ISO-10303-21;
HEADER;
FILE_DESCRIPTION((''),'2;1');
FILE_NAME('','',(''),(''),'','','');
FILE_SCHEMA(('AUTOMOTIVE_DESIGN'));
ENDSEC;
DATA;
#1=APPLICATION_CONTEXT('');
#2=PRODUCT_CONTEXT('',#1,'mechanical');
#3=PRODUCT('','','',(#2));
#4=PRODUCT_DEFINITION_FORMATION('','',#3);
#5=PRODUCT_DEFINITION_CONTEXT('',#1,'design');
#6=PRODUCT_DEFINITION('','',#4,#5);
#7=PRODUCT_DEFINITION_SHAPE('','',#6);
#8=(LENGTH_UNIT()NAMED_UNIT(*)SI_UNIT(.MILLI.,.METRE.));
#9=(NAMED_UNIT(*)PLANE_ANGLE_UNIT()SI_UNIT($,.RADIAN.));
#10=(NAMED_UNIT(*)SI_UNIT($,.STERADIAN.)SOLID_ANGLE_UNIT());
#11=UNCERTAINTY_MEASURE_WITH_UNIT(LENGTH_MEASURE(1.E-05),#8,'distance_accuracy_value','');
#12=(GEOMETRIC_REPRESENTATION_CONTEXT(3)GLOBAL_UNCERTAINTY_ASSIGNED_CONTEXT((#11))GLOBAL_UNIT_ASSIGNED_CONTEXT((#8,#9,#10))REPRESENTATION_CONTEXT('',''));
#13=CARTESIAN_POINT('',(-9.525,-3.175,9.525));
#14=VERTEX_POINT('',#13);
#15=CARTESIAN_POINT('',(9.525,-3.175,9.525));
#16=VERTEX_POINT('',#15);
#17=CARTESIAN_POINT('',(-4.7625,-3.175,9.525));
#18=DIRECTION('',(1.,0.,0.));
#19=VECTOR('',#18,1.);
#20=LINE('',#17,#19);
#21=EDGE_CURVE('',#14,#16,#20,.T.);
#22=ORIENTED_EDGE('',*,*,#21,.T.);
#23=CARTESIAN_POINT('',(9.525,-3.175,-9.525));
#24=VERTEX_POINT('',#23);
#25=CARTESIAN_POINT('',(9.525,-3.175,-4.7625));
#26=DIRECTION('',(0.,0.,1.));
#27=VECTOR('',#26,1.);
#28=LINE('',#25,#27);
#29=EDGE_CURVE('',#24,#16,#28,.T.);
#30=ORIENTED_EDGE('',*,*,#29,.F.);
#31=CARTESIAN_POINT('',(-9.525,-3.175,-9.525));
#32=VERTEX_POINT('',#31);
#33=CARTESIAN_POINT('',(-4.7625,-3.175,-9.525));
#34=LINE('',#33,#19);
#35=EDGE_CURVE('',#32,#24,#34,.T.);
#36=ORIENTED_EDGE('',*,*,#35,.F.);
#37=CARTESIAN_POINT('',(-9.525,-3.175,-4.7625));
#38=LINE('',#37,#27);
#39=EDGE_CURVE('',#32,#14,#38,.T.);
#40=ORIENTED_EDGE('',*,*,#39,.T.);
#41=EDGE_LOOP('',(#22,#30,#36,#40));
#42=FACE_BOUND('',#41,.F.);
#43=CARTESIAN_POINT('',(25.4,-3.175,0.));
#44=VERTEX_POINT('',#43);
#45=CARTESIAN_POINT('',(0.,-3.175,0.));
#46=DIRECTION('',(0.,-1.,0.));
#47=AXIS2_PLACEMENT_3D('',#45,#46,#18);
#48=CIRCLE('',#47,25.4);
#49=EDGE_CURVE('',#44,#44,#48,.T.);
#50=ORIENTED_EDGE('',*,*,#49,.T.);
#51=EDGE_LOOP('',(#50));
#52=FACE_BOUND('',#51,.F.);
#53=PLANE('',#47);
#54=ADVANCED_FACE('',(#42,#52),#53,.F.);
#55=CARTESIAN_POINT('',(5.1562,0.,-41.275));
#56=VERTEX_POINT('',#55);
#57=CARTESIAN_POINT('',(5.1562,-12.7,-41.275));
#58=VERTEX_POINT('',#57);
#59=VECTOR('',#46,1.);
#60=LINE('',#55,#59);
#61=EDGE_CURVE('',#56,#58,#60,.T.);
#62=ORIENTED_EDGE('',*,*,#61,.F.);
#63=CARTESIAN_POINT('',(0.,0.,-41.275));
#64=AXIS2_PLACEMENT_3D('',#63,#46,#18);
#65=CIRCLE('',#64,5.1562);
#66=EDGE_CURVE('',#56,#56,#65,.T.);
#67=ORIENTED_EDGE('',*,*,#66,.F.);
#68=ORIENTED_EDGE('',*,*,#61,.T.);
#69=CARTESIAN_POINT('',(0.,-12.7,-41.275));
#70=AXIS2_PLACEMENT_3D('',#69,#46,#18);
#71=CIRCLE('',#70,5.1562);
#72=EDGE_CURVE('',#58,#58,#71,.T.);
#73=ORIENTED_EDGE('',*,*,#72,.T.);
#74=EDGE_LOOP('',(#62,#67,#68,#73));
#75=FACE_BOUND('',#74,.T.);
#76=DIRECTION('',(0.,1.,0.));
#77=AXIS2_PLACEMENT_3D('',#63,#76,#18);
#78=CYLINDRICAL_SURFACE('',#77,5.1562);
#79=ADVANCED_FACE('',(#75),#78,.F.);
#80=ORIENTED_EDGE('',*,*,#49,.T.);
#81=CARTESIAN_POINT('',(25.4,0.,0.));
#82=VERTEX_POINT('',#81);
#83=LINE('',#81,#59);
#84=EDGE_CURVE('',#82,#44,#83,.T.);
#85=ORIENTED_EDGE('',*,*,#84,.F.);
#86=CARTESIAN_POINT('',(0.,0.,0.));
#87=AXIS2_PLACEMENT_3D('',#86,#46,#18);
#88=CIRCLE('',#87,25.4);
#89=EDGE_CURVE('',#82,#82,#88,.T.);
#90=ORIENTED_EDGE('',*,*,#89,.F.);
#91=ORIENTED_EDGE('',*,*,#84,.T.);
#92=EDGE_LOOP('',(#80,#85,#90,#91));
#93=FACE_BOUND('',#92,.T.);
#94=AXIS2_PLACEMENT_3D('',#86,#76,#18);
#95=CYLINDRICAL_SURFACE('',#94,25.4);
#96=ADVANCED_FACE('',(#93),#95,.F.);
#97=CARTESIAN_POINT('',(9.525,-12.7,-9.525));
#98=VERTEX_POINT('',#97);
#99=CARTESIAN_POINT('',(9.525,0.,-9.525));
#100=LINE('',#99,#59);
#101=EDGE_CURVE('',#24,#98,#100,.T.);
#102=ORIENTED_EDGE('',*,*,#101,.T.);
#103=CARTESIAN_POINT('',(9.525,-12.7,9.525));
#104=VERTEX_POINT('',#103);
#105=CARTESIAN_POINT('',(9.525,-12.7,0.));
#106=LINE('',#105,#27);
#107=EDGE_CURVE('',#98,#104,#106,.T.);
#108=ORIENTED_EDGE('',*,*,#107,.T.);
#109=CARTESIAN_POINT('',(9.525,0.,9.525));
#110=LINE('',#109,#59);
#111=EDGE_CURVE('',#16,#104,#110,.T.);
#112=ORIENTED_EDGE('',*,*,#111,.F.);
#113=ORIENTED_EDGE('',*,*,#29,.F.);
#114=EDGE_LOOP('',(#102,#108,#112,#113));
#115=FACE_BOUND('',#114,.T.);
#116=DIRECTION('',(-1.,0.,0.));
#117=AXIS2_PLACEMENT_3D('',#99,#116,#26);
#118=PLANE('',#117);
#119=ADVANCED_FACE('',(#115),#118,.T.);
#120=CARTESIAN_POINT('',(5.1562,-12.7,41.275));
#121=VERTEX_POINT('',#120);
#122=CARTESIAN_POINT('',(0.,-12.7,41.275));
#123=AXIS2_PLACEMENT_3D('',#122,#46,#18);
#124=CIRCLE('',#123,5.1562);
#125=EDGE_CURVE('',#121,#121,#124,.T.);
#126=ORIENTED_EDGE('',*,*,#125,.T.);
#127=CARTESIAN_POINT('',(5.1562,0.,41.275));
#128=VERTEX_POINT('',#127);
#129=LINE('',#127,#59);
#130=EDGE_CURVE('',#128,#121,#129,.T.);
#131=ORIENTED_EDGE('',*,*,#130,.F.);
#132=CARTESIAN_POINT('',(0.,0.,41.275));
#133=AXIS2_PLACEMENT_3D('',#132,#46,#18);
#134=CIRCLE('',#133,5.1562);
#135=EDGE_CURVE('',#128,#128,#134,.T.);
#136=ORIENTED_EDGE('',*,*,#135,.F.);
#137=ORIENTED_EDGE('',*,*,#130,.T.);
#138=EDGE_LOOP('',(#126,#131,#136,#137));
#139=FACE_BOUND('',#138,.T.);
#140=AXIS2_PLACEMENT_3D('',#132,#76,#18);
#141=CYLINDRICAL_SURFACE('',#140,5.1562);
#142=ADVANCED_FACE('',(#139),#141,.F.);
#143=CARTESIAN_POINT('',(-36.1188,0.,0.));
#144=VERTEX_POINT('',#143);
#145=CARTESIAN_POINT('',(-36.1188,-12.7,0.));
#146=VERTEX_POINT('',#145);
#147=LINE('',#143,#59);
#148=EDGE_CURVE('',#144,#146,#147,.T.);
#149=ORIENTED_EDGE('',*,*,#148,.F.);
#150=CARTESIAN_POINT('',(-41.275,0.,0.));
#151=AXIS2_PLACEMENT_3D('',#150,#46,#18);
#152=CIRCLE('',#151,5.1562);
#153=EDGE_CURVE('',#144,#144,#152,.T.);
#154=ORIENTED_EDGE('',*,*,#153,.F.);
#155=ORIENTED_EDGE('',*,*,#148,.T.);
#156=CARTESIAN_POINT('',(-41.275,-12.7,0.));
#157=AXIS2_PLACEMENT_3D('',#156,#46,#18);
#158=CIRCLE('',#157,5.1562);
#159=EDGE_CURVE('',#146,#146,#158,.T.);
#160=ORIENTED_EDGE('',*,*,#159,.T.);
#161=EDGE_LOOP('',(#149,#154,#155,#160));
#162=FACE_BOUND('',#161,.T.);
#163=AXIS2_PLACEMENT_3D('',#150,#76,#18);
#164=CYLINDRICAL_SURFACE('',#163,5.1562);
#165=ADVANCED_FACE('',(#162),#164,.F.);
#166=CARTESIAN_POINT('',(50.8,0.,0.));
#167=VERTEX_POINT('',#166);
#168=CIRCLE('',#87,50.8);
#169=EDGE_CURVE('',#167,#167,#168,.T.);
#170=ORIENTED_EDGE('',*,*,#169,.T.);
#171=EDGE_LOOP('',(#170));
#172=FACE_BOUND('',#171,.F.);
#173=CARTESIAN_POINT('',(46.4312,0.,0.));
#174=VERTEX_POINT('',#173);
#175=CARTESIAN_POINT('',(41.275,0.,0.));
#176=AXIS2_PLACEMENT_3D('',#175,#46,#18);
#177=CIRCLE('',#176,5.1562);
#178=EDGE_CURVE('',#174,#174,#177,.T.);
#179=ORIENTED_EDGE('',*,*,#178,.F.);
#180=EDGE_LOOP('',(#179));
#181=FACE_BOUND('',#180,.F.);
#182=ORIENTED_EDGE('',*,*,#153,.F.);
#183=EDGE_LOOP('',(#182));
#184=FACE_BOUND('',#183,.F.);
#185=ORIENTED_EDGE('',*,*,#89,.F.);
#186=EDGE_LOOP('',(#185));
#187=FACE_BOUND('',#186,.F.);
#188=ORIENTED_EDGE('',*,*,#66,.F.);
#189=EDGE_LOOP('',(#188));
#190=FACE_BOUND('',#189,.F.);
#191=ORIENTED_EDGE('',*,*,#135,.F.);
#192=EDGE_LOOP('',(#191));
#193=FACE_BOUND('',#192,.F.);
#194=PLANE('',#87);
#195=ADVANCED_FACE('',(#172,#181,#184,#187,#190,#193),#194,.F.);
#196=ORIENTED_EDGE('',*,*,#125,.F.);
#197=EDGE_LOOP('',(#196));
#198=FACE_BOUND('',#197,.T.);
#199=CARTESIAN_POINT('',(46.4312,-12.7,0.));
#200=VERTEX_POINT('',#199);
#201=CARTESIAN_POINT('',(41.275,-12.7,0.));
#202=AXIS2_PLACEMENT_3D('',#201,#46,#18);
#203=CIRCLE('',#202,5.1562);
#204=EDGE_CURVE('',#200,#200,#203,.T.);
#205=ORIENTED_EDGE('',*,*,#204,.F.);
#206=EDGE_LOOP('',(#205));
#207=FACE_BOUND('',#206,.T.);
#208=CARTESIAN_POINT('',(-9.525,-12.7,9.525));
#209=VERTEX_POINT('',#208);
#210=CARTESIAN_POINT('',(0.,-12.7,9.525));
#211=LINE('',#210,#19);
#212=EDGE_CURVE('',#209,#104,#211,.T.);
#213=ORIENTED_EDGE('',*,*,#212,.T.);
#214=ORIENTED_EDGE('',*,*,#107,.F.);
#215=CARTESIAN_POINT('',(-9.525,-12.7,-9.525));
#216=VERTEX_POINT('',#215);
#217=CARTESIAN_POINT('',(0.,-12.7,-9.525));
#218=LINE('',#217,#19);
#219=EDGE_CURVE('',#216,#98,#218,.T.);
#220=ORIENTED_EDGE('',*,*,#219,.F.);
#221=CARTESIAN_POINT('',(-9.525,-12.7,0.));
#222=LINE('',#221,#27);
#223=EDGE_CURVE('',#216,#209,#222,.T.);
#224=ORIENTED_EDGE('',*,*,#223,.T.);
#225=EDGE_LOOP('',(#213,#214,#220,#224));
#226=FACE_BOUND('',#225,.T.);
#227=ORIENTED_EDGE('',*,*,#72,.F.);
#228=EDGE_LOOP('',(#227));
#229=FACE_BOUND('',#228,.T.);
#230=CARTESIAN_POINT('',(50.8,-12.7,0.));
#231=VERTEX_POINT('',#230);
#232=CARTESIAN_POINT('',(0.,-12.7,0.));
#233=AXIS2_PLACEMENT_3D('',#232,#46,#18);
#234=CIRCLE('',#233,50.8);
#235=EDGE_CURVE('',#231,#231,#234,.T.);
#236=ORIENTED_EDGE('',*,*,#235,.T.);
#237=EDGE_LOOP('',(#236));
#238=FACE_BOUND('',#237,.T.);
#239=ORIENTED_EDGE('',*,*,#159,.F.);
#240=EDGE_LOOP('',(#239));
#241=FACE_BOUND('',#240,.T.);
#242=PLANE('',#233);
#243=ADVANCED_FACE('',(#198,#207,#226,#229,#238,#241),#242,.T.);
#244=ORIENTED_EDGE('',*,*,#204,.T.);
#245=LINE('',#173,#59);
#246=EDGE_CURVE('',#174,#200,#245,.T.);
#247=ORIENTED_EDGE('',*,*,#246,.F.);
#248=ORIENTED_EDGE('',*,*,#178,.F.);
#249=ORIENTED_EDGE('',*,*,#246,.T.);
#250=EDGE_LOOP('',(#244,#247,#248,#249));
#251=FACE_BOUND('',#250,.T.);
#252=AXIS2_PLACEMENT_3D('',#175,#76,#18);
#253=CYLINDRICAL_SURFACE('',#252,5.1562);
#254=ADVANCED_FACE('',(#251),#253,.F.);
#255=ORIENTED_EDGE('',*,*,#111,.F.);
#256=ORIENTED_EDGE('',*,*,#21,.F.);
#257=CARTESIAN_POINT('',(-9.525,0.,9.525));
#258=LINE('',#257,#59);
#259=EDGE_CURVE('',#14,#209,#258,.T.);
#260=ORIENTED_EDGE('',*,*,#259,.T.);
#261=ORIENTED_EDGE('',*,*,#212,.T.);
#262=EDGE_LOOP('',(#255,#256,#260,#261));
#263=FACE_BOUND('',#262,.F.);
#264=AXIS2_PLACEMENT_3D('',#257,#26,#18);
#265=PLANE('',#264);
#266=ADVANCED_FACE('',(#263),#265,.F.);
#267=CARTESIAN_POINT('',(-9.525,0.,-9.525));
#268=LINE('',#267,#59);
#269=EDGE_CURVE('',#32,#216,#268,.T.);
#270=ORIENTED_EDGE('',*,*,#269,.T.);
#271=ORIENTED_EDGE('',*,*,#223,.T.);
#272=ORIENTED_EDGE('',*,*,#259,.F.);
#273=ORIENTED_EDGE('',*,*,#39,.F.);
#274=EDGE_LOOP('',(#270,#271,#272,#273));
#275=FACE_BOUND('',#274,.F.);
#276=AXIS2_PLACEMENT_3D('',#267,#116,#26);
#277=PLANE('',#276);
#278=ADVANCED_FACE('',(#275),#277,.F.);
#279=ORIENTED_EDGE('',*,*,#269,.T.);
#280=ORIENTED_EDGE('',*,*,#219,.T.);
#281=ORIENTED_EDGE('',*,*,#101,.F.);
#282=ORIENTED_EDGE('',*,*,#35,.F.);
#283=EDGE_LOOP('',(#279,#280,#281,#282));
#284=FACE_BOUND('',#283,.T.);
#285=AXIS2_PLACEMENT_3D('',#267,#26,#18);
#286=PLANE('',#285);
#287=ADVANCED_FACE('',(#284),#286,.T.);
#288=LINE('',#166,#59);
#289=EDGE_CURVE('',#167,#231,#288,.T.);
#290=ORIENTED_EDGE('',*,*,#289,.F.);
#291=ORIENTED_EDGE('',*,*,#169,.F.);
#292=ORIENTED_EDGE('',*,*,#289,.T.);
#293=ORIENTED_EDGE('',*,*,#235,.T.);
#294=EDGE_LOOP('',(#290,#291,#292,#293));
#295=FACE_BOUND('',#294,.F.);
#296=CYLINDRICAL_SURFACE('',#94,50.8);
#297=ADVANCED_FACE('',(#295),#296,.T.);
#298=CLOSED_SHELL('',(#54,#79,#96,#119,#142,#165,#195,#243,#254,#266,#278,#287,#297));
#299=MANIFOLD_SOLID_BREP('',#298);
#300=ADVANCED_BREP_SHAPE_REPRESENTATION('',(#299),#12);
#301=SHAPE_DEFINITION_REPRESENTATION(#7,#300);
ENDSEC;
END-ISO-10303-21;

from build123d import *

# Parameters (mm, degrees)
F0_R     = 50.8
F0_R_2   = 5.1562
F0_W     = 19.05
F0_H     = 19.05
F1_DEPTH = 12.7
F2_R     = 25.4
F3_DEPTH = 3.175


with BuildPart() as f1:
    # F0 (on Front) → F1 (new body)
    with BuildSketch(Plane.XZ):
        Circle(F0_R)
        with Locations((0, -41.275)):
            Circle(F0_R_2, mode=Mode.SUBTRACT)
        with Locations((-41.275, 0)):
            Circle(F0_R_2, mode=Mode.SUBTRACT)
        Rectangle(F0_W, F0_H, mode=Mode.SUBTRACT)
        with Locations((41.275, 0)):
            Circle(F0_R_2, mode=Mode.SUBTRACT)
        with Locations((0, 41.275)):
            Circle(F0_R_2, mode=Mode.SUBTRACT)
    extrude(amount=F1_DEPTH)

    # F2 (on Front) → F3 (cut)
    with BuildSketch(Plane.XZ):
        Circle(F2_R)
    extrude(amount=F3_DEPTH, mode=Mode.SUBTRACT)


solid = f1.part
